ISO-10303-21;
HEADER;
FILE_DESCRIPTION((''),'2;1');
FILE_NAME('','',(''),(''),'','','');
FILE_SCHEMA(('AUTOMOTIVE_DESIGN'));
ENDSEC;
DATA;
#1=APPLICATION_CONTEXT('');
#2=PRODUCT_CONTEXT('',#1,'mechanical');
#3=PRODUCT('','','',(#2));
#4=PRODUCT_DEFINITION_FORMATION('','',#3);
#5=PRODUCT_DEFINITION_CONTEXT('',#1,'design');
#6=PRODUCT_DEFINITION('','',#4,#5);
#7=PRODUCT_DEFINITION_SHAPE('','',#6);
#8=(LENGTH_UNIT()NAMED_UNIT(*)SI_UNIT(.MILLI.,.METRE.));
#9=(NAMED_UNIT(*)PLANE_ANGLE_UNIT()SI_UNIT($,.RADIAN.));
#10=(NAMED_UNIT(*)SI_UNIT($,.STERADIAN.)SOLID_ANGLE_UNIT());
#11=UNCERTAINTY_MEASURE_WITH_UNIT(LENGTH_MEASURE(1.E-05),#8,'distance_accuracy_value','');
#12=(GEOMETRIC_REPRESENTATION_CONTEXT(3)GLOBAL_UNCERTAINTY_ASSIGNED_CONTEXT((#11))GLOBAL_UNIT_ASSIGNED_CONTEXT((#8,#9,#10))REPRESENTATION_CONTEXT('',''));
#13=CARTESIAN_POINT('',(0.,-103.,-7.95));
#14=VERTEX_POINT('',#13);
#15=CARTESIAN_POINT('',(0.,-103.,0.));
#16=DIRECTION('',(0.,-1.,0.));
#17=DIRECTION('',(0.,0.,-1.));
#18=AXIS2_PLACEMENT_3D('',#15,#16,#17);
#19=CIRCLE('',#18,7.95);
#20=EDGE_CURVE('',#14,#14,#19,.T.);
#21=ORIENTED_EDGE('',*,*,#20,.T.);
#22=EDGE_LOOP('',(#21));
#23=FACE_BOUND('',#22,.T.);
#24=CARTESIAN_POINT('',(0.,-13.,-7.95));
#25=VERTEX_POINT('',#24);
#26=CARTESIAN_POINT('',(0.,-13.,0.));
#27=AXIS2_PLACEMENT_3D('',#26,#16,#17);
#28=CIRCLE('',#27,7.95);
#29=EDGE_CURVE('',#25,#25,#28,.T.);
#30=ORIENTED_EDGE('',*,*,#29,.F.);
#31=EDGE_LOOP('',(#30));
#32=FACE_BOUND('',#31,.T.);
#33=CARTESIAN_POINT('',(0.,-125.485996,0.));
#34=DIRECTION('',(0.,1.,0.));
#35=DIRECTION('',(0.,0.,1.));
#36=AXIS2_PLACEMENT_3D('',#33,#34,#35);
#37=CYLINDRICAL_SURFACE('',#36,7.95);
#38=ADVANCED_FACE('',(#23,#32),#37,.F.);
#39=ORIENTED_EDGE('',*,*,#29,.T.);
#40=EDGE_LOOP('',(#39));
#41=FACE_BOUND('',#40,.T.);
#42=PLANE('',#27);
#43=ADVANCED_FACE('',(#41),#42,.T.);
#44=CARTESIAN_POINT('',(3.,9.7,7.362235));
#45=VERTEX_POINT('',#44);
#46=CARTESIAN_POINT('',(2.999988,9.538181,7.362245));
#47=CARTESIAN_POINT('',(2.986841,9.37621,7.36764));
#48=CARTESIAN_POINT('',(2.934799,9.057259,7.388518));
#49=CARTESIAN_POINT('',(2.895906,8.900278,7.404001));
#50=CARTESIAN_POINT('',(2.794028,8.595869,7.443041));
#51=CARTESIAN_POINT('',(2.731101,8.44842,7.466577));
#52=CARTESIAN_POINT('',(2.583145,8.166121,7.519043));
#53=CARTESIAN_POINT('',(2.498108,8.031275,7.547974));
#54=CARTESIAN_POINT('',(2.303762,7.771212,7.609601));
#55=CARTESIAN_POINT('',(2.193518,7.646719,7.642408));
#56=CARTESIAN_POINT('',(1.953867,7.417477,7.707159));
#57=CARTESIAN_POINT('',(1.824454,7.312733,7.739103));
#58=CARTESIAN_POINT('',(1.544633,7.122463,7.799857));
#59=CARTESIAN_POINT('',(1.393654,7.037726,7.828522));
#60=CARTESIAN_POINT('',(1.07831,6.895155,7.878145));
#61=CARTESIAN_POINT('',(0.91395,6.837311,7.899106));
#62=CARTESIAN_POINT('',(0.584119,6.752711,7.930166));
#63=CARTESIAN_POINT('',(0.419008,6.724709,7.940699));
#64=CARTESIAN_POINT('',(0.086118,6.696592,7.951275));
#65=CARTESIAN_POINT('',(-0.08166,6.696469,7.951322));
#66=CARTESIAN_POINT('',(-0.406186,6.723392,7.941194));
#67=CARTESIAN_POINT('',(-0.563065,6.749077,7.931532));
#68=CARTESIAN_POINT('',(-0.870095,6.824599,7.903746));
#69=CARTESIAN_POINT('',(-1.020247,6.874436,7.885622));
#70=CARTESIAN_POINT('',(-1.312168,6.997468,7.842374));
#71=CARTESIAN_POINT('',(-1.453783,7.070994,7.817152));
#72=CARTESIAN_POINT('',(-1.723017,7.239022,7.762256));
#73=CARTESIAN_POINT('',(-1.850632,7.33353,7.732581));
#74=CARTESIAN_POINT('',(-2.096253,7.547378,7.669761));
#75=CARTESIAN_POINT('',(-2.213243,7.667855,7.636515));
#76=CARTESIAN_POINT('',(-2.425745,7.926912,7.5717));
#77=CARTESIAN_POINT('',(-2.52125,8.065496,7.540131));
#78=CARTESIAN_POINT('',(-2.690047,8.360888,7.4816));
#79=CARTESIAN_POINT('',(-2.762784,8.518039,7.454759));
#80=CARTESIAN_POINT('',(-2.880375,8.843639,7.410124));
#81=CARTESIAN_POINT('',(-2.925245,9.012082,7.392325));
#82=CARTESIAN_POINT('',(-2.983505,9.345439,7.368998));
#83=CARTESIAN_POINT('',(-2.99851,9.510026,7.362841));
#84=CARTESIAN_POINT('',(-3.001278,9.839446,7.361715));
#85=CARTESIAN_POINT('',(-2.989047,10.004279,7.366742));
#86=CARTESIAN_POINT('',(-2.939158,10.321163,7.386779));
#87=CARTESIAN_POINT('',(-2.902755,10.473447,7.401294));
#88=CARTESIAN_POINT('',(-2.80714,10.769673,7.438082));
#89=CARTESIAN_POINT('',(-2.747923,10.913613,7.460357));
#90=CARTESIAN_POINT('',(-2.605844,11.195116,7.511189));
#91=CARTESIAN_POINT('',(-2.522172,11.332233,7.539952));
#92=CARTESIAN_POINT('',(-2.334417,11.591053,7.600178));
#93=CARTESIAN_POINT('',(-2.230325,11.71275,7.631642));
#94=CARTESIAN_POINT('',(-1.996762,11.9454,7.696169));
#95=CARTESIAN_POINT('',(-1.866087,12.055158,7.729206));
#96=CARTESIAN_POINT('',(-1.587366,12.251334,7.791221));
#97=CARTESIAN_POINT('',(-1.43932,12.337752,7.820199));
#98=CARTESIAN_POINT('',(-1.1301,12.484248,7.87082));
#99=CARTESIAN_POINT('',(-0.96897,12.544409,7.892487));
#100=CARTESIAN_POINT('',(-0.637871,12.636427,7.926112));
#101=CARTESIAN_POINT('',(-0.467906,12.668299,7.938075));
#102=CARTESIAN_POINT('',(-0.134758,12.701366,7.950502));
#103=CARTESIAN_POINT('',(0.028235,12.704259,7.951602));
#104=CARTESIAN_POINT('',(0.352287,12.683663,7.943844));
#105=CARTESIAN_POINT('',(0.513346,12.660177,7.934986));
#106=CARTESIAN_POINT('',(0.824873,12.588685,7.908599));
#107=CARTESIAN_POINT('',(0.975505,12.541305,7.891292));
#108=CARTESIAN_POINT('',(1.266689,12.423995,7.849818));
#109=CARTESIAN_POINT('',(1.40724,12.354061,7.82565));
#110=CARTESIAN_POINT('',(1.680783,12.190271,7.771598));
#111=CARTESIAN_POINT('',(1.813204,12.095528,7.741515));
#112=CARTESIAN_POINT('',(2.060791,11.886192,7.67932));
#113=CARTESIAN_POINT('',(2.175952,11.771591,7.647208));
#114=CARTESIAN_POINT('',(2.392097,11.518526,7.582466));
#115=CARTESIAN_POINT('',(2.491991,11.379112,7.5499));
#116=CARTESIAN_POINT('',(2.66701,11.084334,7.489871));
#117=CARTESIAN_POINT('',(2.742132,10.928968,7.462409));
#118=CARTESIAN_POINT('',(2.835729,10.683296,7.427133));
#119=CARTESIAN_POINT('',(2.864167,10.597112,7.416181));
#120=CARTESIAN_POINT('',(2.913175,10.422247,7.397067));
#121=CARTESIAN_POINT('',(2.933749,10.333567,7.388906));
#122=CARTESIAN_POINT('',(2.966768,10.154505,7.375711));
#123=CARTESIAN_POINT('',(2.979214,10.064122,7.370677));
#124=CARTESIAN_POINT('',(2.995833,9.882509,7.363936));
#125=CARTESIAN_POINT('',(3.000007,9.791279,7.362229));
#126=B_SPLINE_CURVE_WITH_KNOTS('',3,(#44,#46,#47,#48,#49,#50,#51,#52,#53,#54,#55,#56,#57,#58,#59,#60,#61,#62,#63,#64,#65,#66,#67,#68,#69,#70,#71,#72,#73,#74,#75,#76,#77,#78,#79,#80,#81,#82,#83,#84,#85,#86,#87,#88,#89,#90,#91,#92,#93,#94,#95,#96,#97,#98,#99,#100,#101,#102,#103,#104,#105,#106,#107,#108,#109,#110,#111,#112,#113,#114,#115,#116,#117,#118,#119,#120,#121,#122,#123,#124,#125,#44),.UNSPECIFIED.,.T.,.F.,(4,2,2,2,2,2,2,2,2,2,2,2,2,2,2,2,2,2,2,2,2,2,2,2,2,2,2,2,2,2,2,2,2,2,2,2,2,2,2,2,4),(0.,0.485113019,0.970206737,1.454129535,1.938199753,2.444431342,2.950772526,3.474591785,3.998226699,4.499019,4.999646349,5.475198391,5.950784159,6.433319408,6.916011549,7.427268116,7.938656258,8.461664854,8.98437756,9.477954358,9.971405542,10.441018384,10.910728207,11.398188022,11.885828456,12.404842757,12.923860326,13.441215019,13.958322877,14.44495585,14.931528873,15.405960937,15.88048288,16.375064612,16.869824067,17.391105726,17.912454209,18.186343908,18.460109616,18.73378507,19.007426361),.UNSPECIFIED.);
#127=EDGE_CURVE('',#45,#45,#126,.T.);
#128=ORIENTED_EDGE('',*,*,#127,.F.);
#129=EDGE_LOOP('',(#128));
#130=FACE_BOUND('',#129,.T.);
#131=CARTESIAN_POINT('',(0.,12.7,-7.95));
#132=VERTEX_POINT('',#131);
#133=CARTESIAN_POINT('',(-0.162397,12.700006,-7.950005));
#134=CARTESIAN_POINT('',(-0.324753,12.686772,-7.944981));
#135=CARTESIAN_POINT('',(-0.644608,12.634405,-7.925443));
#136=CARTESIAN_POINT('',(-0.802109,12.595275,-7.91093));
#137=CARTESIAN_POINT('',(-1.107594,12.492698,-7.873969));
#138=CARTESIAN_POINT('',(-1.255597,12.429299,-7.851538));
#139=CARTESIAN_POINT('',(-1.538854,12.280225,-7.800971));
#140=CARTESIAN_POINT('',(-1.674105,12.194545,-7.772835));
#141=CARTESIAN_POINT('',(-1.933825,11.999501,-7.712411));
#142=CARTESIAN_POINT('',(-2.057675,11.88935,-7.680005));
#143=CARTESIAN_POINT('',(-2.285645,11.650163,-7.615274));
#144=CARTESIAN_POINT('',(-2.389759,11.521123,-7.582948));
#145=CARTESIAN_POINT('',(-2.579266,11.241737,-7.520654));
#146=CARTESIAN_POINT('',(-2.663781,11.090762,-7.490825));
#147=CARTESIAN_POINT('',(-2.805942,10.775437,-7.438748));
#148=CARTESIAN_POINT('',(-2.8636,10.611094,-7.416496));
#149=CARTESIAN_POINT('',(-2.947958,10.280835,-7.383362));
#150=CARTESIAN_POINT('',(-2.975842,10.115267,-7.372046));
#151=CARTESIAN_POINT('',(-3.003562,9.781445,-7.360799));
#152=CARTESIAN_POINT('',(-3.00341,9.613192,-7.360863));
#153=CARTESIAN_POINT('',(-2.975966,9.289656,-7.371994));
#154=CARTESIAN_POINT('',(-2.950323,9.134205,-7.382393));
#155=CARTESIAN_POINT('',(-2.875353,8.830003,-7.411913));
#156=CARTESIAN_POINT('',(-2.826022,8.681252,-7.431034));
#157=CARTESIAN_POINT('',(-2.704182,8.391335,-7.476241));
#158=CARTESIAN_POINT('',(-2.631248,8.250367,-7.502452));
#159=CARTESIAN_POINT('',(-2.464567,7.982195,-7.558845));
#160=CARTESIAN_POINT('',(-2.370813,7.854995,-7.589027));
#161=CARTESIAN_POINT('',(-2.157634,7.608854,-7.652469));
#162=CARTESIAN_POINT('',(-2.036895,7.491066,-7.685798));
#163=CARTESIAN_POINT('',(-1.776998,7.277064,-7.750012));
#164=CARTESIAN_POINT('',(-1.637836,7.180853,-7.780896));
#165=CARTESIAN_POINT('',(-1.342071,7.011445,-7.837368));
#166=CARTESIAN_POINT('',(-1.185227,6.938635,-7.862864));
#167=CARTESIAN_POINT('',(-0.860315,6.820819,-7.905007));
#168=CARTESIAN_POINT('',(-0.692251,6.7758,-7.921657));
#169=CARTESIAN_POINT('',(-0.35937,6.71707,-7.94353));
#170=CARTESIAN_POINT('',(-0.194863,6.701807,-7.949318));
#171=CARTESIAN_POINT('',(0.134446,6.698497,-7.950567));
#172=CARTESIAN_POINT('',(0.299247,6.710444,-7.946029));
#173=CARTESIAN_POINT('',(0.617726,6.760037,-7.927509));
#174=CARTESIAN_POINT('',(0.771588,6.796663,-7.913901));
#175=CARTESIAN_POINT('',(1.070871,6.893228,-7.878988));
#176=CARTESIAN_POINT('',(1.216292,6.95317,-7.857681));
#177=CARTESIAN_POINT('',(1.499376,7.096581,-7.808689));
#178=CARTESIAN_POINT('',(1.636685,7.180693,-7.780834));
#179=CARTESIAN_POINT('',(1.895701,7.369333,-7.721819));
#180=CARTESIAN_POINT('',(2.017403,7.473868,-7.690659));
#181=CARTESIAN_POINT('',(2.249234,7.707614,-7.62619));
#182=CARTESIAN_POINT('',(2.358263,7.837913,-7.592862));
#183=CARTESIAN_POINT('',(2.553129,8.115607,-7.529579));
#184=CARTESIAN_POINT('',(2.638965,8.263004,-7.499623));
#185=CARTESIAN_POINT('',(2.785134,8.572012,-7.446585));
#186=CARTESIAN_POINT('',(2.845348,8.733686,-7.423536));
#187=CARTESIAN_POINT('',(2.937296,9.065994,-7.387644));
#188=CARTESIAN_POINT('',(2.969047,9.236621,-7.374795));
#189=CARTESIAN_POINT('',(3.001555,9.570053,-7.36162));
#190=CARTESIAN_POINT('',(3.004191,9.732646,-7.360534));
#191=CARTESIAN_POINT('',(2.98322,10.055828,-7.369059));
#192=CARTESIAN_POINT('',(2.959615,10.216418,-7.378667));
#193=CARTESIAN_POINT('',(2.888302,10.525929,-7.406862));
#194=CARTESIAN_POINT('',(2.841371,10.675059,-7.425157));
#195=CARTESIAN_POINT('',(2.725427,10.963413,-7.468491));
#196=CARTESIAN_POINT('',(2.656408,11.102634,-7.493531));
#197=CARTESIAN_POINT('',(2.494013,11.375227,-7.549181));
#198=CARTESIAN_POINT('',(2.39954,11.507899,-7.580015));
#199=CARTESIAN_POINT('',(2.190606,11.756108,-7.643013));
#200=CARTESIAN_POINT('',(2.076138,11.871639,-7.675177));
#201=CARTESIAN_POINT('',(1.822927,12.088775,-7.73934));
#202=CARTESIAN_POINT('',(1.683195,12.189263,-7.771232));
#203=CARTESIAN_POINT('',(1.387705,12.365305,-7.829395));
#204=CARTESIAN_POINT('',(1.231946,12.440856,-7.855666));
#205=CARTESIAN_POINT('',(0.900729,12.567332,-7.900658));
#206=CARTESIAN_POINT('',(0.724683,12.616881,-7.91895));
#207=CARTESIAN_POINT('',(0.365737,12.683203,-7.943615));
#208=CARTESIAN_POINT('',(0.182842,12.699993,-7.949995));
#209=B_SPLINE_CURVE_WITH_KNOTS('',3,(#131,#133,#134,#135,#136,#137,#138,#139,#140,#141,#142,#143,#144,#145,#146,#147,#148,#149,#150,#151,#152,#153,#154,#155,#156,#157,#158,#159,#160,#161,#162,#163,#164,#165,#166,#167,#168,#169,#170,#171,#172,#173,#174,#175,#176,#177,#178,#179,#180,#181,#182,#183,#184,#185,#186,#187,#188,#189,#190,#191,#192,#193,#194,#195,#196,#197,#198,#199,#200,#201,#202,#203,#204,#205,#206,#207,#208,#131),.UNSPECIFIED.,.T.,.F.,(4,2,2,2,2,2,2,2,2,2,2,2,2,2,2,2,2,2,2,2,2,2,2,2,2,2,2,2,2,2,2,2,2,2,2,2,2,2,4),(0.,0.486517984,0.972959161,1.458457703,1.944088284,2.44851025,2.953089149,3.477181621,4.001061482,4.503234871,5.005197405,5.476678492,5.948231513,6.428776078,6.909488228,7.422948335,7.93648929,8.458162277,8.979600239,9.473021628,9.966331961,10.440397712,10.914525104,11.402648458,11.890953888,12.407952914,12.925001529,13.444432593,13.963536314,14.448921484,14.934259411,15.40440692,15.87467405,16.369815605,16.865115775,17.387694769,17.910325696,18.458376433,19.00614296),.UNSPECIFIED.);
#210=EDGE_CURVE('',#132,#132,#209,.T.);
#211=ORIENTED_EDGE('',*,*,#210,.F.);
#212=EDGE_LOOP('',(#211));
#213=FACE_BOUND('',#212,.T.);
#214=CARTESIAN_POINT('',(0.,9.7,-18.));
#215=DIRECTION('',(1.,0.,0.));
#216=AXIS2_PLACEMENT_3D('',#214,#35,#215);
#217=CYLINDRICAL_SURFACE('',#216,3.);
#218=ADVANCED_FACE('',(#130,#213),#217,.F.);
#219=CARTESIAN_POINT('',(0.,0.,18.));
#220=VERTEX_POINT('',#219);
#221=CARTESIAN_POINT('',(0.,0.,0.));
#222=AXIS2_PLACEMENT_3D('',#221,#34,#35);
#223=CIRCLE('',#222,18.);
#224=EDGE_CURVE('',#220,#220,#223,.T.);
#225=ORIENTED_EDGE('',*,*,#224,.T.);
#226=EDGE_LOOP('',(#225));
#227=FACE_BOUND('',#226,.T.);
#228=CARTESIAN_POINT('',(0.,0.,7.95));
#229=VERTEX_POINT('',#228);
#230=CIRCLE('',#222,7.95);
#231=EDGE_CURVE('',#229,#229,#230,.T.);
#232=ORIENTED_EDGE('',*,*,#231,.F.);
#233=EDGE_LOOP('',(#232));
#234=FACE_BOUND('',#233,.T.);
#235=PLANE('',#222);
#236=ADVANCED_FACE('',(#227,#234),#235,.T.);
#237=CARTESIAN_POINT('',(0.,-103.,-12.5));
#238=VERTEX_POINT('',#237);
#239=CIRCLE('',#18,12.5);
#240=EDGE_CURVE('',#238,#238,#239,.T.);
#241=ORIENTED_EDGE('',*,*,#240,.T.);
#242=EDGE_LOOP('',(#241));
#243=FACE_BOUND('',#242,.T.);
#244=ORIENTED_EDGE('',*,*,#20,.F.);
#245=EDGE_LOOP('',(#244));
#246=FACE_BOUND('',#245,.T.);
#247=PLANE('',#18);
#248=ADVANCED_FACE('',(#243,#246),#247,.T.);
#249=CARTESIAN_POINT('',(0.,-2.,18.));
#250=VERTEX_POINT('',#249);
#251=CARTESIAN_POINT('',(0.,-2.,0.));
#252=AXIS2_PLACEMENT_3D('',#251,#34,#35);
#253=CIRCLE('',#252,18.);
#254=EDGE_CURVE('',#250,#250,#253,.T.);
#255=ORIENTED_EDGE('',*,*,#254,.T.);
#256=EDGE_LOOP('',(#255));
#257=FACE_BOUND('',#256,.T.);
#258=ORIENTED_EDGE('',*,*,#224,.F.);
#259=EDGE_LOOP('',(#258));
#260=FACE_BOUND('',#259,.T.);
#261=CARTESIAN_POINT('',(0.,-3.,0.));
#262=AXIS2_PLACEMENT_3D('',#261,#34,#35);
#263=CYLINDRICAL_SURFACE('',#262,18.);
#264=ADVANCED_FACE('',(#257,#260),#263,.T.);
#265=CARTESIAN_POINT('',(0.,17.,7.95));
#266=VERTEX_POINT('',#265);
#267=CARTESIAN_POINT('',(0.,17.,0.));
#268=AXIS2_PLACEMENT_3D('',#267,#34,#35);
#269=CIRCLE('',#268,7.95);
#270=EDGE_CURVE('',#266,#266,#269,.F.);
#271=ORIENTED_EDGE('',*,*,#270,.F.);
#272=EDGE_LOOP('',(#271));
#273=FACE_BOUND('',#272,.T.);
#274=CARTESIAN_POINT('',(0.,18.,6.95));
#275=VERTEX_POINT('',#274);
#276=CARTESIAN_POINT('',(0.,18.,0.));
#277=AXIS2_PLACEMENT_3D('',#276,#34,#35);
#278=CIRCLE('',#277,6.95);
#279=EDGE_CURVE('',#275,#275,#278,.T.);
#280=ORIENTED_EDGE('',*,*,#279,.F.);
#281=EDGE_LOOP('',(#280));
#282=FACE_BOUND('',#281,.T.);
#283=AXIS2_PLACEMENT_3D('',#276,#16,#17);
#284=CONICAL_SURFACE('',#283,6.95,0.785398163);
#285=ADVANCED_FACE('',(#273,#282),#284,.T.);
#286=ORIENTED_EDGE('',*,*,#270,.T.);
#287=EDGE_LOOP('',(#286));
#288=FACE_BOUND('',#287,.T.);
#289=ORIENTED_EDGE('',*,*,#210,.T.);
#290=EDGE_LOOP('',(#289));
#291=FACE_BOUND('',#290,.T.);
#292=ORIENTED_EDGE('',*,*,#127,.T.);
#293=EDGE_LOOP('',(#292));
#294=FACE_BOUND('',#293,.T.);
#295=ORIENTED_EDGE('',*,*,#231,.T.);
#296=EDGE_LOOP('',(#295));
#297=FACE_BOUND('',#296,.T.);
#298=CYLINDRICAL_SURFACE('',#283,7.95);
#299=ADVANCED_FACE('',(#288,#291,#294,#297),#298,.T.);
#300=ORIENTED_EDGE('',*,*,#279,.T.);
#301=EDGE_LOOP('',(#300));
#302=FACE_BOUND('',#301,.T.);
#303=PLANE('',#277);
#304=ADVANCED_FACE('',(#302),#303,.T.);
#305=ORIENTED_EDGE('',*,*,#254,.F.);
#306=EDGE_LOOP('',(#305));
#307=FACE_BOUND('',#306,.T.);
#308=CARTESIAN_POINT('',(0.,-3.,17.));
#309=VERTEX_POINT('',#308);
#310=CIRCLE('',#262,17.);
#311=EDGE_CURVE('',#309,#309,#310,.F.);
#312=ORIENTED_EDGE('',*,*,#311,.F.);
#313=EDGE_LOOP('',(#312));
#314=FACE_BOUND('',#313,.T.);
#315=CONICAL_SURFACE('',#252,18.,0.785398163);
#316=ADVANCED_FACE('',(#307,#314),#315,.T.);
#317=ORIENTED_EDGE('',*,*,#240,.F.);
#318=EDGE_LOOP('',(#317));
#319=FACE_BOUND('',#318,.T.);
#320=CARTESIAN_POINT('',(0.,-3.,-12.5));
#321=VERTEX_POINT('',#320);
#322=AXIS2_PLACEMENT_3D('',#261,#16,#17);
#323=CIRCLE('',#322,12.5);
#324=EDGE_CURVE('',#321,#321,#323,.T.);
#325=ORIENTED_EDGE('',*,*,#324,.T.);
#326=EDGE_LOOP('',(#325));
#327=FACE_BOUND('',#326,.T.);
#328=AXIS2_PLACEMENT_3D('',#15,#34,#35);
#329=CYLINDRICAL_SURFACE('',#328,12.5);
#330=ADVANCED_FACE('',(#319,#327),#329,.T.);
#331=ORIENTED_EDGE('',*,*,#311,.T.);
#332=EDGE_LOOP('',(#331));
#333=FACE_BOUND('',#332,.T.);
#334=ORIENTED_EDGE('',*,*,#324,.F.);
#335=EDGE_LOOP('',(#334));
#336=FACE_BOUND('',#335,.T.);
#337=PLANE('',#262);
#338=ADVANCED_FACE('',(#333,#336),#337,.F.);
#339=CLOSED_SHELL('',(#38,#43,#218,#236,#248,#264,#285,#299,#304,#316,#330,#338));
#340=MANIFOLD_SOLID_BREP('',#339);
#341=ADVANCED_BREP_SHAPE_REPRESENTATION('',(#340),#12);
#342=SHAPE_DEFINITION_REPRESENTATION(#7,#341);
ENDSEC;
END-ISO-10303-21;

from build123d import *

# Parameters (mm, degrees)
SKETCH_1_R               = 7.95
EXTRUDE_1_DEPTH          = 18
CHAMFER_2_SIZE           = 1
SKETCH_4_R               = 18
EXTRUDE_2_DEPTH          = 3
CHAMFER_1_SIZE           = 1
SKETCH_5_R               = 12.5
EXTRUDE_3_DEPTH          = 100
CUT_EXTRUDE_2_DEPTH      = 107.099010363
CUT_EXTRUDE_2_DEPTH_BACK = 107.099010363
SKETCH_9_R               = 3
CUT_EXTRUDE_START        = 100
SKETCH_10_R              = 7.95
CUT_EXTRUDE_3_DEPTH      = 90


with BuildPart() as part:
    # 草图1 → 凸台-拉伸1 (new body)
    with BuildSketch(Plane(origin=(0, 0, 0), x_dir=(1, 0, 0), z_dir=(0, 1, 0))):
        with Locations(Location((0, 0, 0), (0, 0, 270))):
            Circle(SKETCH_1_R)
    extrude(amount=EXTRUDE_1_DEPTH)

    # 倒角2
    chamfer_2_edges = [part.edges().sort_by_distance(p)[0] for p in [
        (0, 18, -7.95),
    ]]
    chamfer(chamfer_2_edges, length=CHAMFER_2_SIZE)

    # 草图4 → 凸台-拉伸2 (add)
    with BuildSketch(Plane(origin=(0, 0, 0), x_dir=(1, 0, 0), z_dir=(0, 1, 0))):
        with Locations(Location((0, 0, 0), (0, 0, 270))):
            Circle(SKETCH_4_R)
    extrude(amount=-EXTRUDE_2_DEPTH)

    # 倒角1
    chamfer_1_edges = [part.edges().sort_by_distance(p)[0] for p in [
        (0, -3, -18),
    ]]
    chamfer(chamfer_1_edges, length=CHAMFER_1_SIZE)

    # 草图5 → 凸台-拉伸3 (add)
    with BuildSketch(Plane(origin=(0, -3, 0), x_dir=(-1, 0, 0), z_dir=(0, -1, 0))):
        with Locations(Location((0, 0, 0), (0, 0, 90))):
            Circle(SKETCH_5_R)
    extrude(amount=EXTRUDE_3_DEPTH)

    # 草图9 → 切除-拉伸2 (cut, two sides: drawn at the far end of the back side and taken through both)
    with BuildSketch(Plane.XY.offset(-CUT_EXTRUDE_2_DEPTH_BACK)):
        with Locations(Location((0, 9.7, 0), (0, 0, 89.999999999))):
            Circle(SKETCH_9_R)
    extrude(amount=CUT_EXTRUDE_2_DEPTH + CUT_EXTRUDE_2_DEPTH_BACK, mode=Mode.SUBTRACT)

    # 草图10 → 切除-拉伸3 (cut)
    with BuildSketch(Plane(origin=(0, -3, 0), x_dir=(-1, 0, 0), z_dir=(0, -1, 0)).offset(CUT_EXTRUDE_START)):
        with Locations(Location((0, 0, 0), (0, 0, 270))):
            Circle(SKETCH_10_R)
    extrude(amount=-CUT_EXTRUDE_3_DEPTH, mode=Mode.SUBTRACT)


solid = part.part
